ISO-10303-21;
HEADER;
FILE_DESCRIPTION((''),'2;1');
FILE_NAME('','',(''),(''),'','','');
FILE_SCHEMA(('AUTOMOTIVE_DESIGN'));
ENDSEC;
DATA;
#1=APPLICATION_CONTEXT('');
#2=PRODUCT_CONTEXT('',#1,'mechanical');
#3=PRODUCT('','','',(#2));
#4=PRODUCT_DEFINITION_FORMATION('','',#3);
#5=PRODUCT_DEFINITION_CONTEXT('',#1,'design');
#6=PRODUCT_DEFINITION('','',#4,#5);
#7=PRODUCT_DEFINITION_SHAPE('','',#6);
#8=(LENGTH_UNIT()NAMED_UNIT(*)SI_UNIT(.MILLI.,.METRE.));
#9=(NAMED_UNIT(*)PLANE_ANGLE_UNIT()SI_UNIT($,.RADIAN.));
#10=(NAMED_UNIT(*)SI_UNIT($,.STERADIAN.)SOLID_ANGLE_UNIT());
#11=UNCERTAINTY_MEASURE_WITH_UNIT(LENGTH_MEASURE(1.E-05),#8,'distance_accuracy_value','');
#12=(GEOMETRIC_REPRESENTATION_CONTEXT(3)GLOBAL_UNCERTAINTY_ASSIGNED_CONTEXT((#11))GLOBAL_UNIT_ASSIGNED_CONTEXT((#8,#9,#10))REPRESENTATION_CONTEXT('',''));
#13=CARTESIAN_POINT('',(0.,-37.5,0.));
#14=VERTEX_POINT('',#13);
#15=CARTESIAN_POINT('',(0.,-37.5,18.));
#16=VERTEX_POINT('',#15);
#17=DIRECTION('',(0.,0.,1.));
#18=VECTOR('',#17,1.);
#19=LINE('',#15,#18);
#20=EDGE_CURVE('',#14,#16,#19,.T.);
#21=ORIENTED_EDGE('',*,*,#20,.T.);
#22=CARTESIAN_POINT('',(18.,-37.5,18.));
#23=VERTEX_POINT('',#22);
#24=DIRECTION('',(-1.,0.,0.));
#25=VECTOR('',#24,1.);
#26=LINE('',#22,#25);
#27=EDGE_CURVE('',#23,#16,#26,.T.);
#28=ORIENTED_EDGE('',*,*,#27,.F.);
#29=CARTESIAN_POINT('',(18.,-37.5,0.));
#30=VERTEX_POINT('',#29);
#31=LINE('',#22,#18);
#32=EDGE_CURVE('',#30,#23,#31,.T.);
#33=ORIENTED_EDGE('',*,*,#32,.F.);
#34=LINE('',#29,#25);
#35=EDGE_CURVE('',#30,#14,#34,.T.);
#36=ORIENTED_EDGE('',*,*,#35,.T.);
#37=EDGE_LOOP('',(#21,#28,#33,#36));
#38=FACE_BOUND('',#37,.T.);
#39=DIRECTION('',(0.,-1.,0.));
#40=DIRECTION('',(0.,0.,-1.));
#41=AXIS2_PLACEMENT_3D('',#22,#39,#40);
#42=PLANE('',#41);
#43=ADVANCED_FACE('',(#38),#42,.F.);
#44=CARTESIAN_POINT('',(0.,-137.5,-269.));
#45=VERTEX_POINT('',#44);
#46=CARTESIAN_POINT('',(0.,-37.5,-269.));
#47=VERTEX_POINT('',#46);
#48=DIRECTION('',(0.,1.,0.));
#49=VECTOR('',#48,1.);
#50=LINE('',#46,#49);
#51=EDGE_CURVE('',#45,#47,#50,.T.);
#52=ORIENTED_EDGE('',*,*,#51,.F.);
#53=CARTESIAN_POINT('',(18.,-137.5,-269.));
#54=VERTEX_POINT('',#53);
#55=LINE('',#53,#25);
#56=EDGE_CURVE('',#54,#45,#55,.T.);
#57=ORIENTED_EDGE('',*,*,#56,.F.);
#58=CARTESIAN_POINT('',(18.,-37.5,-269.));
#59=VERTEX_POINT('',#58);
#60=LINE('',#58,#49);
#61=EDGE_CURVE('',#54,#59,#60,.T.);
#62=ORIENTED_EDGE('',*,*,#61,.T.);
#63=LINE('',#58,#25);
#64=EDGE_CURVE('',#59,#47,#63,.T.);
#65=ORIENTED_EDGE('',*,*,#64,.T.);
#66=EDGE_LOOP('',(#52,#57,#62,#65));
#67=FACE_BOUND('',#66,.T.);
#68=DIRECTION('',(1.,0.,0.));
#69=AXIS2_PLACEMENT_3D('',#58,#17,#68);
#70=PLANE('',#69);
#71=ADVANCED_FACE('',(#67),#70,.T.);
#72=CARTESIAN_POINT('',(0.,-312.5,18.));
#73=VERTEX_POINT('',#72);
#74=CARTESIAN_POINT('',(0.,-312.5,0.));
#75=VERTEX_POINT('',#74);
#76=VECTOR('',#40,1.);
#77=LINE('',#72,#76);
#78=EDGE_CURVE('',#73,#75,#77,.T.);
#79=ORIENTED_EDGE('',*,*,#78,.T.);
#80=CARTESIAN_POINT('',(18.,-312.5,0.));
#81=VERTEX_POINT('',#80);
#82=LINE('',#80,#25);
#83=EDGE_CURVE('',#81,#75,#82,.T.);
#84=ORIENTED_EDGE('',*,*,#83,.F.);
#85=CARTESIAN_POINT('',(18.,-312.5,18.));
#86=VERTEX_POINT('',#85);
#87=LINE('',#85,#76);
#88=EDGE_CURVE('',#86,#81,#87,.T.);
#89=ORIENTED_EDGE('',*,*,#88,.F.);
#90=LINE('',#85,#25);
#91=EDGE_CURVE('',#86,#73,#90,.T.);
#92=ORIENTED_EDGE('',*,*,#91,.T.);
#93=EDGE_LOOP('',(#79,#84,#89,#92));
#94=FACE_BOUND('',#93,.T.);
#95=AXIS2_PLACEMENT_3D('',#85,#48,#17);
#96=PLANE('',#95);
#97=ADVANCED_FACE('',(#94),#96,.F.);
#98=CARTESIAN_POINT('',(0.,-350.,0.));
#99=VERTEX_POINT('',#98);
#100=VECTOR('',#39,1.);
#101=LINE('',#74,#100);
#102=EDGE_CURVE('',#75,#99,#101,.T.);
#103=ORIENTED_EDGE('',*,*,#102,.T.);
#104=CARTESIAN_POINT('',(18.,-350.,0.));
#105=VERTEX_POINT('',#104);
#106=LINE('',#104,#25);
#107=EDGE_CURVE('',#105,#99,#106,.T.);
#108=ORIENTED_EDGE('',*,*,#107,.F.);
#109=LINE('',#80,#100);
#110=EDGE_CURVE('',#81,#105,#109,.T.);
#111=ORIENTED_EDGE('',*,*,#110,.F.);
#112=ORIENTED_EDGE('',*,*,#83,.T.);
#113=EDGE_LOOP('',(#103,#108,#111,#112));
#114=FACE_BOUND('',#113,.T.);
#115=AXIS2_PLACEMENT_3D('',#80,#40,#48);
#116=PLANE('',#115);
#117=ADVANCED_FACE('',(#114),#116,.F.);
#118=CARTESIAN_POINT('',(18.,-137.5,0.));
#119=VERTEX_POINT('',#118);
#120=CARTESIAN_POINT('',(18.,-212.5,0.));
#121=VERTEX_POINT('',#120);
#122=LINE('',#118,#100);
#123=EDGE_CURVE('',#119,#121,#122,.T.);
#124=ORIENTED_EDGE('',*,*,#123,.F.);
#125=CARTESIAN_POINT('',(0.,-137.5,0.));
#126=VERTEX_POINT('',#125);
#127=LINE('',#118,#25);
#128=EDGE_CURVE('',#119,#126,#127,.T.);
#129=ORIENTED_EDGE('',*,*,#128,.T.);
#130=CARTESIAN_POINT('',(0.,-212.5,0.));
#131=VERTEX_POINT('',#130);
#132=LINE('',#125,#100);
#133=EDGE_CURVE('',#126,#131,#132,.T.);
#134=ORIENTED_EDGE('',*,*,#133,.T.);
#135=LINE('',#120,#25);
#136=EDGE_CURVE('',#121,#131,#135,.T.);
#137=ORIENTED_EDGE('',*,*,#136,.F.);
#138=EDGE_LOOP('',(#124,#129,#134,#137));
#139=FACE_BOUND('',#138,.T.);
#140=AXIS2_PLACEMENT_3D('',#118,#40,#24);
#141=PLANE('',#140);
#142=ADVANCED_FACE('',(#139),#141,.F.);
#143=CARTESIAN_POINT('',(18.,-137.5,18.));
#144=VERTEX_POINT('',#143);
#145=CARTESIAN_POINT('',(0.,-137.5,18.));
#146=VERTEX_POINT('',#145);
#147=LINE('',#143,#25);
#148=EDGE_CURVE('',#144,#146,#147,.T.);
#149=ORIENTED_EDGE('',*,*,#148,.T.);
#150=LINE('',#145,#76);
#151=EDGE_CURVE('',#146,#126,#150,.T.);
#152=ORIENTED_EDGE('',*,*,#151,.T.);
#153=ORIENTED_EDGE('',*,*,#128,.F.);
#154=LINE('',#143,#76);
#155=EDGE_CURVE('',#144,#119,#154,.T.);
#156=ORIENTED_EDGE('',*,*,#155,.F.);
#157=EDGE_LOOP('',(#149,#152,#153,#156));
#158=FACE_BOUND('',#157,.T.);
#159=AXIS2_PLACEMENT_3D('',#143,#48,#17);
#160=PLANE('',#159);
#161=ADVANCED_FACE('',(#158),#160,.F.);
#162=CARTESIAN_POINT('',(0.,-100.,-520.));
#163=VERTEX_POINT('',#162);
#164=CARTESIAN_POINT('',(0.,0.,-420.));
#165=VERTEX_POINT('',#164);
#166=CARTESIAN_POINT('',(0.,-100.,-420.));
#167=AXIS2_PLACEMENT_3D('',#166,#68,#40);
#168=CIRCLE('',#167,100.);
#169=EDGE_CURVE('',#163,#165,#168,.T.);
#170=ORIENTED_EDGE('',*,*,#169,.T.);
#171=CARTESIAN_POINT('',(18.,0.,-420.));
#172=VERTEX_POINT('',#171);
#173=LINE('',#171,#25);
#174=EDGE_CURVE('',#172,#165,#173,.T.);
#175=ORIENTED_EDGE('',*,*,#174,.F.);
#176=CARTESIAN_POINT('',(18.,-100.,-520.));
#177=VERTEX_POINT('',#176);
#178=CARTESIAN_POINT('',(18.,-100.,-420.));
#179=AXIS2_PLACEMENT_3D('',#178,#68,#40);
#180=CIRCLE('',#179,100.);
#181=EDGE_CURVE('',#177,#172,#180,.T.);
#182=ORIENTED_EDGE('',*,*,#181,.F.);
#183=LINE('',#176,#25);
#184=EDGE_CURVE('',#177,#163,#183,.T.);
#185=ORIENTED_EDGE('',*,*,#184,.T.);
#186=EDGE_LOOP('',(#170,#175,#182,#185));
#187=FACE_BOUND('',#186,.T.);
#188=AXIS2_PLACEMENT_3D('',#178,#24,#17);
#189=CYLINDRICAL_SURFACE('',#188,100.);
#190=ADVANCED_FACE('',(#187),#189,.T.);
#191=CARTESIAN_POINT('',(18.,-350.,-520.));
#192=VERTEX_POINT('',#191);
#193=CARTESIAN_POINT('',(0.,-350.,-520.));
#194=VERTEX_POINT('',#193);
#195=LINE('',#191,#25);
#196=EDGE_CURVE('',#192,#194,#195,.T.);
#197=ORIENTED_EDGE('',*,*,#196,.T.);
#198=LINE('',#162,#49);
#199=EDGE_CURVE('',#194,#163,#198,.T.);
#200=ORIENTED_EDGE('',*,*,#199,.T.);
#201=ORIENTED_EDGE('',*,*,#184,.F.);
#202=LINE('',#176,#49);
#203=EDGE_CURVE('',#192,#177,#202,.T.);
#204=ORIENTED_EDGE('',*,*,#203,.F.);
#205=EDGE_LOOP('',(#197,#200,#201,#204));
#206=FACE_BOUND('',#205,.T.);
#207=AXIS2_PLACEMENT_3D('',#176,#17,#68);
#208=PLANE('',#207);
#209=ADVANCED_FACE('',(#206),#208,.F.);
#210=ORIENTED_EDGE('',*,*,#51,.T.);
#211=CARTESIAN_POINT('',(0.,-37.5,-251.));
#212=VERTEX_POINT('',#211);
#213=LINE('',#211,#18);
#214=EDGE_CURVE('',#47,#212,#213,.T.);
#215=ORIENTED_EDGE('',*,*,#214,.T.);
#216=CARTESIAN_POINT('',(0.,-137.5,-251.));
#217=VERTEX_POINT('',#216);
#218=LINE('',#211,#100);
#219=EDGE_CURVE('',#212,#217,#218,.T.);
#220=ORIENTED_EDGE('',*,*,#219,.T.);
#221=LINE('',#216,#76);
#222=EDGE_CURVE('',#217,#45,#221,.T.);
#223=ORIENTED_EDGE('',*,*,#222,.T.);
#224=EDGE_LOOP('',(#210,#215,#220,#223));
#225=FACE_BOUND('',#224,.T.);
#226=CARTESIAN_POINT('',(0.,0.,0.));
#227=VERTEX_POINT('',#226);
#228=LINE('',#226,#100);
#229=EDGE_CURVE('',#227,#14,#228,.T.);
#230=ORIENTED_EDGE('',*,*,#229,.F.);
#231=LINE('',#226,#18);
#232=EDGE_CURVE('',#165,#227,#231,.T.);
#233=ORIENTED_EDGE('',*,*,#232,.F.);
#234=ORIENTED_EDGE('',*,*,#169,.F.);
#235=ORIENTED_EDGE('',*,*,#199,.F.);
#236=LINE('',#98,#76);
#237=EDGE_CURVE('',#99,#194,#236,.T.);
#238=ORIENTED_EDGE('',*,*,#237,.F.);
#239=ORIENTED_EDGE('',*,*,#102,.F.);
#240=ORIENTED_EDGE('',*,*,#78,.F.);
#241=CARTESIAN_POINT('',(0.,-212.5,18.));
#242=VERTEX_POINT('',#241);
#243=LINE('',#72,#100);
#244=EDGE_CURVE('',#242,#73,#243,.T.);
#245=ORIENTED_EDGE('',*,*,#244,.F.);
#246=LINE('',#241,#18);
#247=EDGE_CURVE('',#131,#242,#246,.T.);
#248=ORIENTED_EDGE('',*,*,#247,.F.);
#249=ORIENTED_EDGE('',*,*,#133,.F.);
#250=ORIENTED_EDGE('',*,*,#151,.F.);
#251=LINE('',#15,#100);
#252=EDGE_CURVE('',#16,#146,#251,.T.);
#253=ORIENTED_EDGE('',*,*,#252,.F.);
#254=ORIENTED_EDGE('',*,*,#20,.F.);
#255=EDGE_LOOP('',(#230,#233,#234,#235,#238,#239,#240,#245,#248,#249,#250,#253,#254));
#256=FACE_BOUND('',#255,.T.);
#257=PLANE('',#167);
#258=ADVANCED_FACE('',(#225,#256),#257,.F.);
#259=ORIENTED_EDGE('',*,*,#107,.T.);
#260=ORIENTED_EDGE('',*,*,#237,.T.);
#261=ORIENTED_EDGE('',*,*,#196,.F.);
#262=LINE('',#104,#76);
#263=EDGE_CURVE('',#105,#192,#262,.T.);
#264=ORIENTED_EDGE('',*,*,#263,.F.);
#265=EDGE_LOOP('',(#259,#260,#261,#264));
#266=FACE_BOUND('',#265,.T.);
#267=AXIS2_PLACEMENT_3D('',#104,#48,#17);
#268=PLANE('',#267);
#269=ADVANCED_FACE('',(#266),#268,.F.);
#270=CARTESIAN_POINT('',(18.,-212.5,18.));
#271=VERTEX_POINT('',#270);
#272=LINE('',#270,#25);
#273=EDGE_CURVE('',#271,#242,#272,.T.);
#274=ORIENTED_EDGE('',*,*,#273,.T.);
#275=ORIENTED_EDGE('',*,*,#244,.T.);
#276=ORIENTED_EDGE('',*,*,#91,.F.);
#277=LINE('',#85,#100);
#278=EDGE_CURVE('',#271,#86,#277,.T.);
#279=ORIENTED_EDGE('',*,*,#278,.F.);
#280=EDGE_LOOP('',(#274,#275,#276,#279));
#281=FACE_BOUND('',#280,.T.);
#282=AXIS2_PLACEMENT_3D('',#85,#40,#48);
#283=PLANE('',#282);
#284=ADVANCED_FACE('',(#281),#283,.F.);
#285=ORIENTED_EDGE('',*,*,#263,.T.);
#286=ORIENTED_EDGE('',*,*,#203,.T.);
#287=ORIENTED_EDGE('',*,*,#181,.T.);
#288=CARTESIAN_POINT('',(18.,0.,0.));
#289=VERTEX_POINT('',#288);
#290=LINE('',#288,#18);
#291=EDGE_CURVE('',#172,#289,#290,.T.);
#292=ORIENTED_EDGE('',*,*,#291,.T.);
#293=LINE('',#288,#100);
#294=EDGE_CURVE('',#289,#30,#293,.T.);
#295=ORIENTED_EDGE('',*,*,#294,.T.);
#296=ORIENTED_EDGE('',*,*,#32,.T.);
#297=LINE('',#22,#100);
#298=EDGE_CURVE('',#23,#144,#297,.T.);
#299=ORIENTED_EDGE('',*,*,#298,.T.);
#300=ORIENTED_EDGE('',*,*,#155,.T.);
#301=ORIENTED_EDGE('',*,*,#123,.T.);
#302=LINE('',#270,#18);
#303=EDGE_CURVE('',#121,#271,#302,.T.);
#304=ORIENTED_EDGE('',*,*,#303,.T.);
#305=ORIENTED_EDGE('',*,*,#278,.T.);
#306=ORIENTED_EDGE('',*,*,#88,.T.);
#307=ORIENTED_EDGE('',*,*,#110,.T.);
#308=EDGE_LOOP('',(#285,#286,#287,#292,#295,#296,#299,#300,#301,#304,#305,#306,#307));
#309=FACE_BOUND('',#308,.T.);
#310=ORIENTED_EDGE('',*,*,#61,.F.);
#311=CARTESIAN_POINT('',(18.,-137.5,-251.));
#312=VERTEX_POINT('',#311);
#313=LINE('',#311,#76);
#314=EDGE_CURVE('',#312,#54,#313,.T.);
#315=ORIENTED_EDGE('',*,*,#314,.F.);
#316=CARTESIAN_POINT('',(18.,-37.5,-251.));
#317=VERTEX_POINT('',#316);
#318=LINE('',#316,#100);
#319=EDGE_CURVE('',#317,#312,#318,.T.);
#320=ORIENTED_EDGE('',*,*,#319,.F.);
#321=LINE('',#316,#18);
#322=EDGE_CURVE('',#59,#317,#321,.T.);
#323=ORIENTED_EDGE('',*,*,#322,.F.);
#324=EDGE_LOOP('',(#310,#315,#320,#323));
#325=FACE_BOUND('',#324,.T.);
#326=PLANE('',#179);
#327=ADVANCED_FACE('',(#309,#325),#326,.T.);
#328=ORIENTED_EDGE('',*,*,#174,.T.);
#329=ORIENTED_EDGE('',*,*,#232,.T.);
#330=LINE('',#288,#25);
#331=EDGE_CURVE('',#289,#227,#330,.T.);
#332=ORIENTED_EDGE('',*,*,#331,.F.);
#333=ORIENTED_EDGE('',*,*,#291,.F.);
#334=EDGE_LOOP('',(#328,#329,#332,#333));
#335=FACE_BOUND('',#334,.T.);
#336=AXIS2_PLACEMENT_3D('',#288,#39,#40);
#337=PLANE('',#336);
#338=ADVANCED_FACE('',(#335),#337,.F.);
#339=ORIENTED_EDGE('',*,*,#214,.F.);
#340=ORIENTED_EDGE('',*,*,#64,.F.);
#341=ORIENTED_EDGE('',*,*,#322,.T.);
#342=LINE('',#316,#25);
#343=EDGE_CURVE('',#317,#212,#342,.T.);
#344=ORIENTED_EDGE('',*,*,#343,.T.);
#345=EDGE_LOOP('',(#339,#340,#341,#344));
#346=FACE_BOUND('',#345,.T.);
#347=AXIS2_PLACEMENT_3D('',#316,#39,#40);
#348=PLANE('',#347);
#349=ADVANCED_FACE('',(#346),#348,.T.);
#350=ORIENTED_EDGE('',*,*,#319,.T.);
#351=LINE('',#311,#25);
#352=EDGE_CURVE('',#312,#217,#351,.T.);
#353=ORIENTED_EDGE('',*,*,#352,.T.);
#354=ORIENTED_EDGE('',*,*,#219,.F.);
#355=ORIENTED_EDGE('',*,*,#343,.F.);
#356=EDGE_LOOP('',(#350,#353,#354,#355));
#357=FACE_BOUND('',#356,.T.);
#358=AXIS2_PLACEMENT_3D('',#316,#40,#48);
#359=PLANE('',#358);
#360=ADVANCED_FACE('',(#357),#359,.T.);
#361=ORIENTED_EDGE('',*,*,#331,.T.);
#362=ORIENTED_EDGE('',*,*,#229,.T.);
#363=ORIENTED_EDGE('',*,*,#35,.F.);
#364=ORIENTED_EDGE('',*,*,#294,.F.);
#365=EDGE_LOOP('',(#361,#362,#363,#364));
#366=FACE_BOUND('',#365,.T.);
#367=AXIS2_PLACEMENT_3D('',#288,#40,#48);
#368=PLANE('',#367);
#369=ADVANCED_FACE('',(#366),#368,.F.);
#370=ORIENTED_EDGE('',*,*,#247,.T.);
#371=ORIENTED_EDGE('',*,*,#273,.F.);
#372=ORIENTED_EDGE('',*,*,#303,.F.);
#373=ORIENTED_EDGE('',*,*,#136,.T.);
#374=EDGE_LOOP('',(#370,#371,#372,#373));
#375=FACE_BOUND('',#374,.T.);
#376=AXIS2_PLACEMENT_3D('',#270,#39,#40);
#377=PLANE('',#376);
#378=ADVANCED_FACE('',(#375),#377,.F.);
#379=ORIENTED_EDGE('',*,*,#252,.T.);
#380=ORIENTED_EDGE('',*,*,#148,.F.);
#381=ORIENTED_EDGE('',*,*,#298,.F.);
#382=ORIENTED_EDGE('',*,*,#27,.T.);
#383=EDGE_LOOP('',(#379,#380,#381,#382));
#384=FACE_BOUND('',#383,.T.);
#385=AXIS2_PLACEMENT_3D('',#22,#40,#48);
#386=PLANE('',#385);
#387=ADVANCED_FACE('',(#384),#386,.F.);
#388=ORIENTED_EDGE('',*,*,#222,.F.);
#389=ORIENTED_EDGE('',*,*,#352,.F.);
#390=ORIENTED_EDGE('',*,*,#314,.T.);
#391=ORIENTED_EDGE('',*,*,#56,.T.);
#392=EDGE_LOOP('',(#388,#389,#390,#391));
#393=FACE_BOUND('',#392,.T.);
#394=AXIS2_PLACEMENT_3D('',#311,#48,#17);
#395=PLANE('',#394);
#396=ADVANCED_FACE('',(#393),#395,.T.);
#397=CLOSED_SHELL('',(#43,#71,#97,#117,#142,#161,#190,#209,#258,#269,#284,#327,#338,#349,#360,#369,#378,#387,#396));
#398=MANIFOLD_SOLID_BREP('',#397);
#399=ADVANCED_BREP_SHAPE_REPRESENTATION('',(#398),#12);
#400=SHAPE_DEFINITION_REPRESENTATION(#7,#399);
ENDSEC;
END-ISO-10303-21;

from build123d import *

# Parameters (mm, degrees)
SKETCH1_W           = 18
SKETCH1_H           = 100
BOSS_EXTRUDE3_DEPTH = 18


with BuildPart() as part:
    # Sketch1 → Boss-Extrude3 (new body)
    with BuildSketch(Plane(origin=(0, 0, 0), x_dir=(0, 0, -1), z_dir=(1, 0, 0))):
        with BuildLine():
            Line((0, 0), (420, 0))
            ThreePointArc((420, 0), (490.710678119, -29.289321881), (520, -100))
            Line((520, -100), (520, -350))
            Line((520, -350), (0, -350))
            Line((0, -350), (0, -312.5))
            Line((0, -312.5), (-18, -312.5))
            Line((-18, -312.5), (-18, -212.5))
            Line((-18, -212.5), (0, -212.5))
            Line((0, -212.5), (0, -137.5))
            Line((0, -137.5), (-18, -137.5))
            Line((-18, -137.5), (-18, -37.5))
            Line((-18, -37.5), (0, -37.5))
            Line((0, -37.5), (0, 0))
        make_face()
        with Locations((260, -87.5)):
            Rectangle(SKETCH1_W, SKETCH1_H, mode=Mode.SUBTRACT)
    extrude(amount=BOSS_EXTRUDE3_DEPTH)


solid = part.part
